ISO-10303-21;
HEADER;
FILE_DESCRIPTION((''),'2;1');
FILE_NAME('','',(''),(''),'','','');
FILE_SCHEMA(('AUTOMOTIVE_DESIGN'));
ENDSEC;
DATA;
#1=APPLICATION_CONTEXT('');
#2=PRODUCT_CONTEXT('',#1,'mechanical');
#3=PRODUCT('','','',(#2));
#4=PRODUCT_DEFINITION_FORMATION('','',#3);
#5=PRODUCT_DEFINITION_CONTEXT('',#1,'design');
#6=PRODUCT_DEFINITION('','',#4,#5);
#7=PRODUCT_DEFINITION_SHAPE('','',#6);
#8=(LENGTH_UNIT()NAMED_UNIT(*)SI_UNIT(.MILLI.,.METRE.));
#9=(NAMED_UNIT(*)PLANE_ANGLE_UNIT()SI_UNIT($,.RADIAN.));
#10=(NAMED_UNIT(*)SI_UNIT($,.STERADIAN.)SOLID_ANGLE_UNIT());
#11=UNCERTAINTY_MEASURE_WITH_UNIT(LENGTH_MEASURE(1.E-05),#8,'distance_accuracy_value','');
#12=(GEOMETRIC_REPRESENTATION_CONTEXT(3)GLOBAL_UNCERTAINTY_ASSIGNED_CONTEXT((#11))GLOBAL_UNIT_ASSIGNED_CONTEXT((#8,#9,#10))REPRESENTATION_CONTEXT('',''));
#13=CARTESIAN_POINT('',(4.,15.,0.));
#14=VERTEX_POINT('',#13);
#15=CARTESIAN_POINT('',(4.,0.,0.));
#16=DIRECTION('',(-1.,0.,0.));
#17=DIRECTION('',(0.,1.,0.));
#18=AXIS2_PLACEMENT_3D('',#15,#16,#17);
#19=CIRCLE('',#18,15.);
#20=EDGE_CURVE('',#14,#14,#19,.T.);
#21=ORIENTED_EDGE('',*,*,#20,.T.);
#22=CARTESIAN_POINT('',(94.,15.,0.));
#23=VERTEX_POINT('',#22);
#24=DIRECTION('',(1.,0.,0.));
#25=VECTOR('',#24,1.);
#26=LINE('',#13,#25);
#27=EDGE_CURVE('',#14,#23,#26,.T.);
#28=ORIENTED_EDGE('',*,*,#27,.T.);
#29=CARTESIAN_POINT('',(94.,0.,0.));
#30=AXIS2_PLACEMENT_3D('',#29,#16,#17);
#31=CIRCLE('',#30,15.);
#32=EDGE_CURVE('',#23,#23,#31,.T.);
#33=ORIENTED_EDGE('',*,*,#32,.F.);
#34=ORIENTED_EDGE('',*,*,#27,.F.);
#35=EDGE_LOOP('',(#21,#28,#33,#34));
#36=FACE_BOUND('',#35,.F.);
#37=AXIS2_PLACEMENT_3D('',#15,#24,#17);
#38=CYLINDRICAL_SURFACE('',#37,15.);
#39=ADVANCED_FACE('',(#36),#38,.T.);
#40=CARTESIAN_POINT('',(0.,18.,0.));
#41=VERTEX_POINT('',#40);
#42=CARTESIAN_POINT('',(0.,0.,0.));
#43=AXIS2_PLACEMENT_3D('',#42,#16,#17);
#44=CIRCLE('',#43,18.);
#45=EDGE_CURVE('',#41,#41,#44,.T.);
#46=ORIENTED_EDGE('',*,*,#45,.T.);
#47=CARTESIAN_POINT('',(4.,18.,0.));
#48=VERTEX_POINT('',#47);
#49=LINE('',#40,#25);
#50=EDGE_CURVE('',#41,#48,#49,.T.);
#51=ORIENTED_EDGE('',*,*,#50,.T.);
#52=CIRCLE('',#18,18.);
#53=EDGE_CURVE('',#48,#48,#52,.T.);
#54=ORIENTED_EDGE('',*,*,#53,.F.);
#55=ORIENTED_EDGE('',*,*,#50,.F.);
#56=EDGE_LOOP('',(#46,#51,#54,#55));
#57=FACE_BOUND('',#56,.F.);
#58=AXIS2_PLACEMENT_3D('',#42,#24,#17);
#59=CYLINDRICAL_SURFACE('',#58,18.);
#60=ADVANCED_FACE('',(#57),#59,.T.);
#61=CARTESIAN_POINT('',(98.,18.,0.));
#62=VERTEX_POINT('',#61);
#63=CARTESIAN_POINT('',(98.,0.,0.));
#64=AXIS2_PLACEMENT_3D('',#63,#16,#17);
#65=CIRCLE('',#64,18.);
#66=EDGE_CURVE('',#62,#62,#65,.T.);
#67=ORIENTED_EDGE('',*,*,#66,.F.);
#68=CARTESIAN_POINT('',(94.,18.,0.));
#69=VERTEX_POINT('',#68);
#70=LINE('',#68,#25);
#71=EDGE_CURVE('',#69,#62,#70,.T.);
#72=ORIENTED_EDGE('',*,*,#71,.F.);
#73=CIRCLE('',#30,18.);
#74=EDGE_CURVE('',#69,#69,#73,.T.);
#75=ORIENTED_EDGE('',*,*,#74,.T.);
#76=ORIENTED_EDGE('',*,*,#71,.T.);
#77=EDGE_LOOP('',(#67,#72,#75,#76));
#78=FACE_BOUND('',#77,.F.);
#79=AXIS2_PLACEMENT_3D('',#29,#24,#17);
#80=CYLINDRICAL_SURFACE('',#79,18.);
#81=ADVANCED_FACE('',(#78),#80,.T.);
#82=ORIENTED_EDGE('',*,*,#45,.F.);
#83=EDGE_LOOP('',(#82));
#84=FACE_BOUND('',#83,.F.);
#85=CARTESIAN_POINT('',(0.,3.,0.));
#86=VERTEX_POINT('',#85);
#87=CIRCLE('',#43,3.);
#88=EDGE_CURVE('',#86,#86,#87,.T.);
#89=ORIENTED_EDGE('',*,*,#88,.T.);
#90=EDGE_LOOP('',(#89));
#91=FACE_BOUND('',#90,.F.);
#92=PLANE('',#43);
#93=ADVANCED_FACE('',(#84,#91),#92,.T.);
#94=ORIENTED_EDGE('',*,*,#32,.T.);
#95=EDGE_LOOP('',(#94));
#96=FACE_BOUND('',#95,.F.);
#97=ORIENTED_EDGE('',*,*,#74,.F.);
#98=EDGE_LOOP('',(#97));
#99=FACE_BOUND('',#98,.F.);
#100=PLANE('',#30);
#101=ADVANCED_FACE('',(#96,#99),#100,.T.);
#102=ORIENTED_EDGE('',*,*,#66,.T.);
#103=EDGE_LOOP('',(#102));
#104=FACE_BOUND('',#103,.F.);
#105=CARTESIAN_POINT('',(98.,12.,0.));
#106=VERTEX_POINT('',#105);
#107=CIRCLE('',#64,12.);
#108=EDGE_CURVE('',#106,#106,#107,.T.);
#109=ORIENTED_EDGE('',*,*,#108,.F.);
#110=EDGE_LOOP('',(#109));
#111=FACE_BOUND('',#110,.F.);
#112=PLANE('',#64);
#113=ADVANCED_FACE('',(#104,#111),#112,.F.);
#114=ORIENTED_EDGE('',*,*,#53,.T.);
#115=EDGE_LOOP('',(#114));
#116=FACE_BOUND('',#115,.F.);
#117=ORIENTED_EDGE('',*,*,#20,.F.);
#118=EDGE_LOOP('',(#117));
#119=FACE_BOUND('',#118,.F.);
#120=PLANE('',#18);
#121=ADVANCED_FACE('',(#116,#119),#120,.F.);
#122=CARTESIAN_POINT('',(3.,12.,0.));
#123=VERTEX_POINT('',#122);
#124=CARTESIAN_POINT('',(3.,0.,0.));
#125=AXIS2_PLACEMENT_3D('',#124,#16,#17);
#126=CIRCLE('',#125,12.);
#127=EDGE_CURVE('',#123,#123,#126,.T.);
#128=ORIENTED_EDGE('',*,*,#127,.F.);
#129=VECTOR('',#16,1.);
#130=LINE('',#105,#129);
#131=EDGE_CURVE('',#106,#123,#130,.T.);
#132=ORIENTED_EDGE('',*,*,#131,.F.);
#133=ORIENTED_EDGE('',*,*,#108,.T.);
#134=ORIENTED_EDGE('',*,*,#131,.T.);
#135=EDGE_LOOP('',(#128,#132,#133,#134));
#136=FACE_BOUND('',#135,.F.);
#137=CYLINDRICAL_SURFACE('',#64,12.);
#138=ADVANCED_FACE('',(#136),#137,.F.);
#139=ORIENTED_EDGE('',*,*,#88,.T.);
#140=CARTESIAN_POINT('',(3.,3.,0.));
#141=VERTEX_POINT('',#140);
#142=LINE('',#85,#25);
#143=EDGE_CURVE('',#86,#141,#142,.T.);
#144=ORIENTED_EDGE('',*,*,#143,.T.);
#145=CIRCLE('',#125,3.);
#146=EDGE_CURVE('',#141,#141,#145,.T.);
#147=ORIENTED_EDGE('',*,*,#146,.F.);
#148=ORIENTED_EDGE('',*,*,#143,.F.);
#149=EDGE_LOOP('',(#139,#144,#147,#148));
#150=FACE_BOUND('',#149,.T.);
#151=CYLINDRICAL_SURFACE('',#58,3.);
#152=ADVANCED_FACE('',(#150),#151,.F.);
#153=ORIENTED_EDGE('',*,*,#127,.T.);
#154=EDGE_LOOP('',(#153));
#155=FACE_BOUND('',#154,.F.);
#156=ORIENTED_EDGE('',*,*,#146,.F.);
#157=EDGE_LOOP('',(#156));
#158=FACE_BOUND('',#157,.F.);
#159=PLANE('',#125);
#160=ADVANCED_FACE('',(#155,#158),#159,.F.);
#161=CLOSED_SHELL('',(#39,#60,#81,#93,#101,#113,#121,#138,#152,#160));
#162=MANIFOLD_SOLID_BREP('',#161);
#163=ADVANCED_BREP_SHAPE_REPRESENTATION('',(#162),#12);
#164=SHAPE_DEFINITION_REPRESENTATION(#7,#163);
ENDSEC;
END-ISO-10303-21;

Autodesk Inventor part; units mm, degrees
ref_plane "YZ Plane" through (0, 0, 0) normal (1, 0, 0) x (0, 1, 0)
ref_plane "XZ Plane" through (0, 0, 0) normal (0, 1, 0) x (-1, 0, 0)
ref_plane "XY Plane" through (0, 0, 0) normal (0, 0, 1) x (1, 0, 0)
sketch "Sketch1" plane through (0, 0, 0) normal (0, 0, 1) x (1, 0, 0)
  line L0 (0, 3) -> (0, 18)
  line L1 (0, 18) -> (4, 18)
  line L2 (4, 18) -> (4, 15)
  line L3 (4, 15) -> (94, 15)
  line L4 (94, 15) -> (94, 18)
  line L5 (94, 18) -> (98, 18)
  line L6 (98, 18) -> (98, 12)
  line L7 (98, 12) -> (3, 12)
  line L8 (3, 12) -> (3, 3)
  line L9 (3, 0) -> (0, 0) construction
  line L10 (0, 3) -> (3, 3)
  dimension "d0" = 18
  dimension "d1" = 4
  dimension "d2" = 3
  dimension "d3" = 90
  dimension "d4" = 4
  dimension "d5" = 6
  dimension "d6" = 95
  dimension "d7" = 3
revolve "Revolution1" add sketch "Sketch1" angle 360 about axis through (3, 0, 0) along (-1, 0, 0)
properties part number "Filament Spool Holder"
